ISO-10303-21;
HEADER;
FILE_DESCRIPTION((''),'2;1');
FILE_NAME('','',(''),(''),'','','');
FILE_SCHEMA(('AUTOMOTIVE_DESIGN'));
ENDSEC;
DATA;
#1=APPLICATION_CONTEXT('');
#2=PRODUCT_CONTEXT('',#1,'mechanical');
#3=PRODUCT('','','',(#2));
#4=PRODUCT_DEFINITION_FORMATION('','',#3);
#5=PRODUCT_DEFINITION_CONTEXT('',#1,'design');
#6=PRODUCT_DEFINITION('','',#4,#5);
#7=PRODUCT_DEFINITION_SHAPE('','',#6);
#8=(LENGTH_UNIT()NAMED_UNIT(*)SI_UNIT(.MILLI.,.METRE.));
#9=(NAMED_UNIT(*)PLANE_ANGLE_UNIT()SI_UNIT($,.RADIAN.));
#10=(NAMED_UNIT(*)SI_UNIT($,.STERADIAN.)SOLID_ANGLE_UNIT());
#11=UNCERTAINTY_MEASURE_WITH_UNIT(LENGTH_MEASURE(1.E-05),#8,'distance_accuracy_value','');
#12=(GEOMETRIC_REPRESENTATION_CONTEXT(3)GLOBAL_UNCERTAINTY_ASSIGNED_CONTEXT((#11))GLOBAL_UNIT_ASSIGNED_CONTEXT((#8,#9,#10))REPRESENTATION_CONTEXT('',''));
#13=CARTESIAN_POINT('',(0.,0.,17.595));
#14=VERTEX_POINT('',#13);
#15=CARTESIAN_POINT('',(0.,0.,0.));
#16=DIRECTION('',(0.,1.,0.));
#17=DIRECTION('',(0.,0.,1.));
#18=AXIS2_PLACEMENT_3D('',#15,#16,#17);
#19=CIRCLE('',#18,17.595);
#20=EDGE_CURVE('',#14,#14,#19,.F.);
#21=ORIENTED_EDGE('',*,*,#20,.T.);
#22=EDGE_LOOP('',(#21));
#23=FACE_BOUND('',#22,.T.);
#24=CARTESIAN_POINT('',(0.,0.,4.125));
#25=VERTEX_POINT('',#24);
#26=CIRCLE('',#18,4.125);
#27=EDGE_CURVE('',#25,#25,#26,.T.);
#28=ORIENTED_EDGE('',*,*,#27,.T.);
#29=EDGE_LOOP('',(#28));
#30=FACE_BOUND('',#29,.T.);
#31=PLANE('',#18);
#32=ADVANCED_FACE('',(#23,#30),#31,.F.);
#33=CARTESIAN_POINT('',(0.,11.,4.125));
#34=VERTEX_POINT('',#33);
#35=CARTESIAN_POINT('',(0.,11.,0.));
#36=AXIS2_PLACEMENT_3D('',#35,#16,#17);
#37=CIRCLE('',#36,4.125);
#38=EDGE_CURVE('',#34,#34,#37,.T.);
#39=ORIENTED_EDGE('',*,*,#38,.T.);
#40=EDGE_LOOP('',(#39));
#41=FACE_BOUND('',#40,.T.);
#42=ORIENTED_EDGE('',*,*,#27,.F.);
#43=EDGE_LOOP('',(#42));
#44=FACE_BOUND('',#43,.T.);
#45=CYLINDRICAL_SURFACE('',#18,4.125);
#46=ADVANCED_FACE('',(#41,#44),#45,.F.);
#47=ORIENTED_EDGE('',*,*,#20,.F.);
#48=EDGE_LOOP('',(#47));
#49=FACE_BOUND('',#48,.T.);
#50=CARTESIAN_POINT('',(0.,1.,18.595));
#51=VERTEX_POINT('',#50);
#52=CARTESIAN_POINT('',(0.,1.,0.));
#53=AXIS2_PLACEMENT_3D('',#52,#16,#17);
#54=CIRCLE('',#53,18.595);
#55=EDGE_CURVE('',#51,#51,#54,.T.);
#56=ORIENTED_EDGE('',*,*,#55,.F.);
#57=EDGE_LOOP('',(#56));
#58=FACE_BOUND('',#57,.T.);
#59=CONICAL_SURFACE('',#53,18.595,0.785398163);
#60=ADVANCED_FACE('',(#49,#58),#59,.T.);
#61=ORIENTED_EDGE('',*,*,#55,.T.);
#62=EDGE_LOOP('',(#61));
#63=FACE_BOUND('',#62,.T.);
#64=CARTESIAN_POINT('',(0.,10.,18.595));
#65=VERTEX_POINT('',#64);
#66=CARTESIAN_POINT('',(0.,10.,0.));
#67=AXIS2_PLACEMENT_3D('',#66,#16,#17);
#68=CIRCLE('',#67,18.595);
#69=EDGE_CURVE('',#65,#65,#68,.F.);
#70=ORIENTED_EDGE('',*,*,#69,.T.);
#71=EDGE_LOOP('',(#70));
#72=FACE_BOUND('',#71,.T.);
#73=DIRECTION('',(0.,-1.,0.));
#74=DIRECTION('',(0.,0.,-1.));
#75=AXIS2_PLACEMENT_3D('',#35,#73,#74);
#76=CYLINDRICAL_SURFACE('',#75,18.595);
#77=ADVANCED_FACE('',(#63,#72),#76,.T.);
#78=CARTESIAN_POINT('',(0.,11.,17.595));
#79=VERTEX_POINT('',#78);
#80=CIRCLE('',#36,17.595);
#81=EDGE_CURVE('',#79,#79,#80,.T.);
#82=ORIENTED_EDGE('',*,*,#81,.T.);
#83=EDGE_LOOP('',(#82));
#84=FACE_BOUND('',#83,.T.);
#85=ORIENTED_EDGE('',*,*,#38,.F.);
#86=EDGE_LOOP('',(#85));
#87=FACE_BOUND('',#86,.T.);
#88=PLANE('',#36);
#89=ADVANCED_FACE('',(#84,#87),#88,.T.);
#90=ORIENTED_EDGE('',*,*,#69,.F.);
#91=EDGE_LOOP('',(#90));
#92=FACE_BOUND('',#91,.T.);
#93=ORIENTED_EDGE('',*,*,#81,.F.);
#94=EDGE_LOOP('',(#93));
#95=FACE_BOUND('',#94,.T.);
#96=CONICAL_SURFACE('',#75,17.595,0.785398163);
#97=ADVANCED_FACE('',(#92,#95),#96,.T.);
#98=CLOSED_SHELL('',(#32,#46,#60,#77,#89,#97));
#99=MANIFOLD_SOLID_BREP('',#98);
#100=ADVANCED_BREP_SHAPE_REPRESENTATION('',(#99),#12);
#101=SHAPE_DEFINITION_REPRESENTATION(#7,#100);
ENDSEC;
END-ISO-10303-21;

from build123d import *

# Parameters (mm, degrees)
SKETCH1_R           = 18.595
BOSS_EXTRUDE1_DEPTH = 11
SKETCH2_R           = 4.125
CUT_EXTRUDE1_DEPTH  = 12
CHAMFER1_SIZE       = 1


with BuildPart() as part:
    # Sketch1 → Boss-Extrude1 (new body)
    with BuildSketch(Plane(origin=(0, 0, 0), x_dir=(1, 0, 0), z_dir=(0, 1, 0))):
        Circle(SKETCH1_R)
    extrude(amount=BOSS_EXTRUDE1_DEPTH)

    # Sketch2 → Cut-Extrude1 (cut, through all)
    with BuildSketch(Plane(origin=(0, 11, 0), x_dir=(1, 0, 0), z_dir=(0, 1, 0))):
        Circle(SKETCH2_R)
    extrude(amount=-CUT_EXTRUDE1_DEPTH, mode=Mode.SUBTRACT)

    # Chamfer1
    chamfer1_edges = [part.edges().sort_by_distance(p)[0] for p in [
        (-18.595, 0, 0),
        (-18.595, 11, 0),
    ]]
    chamfer(chamfer1_edges, length=CHAMFER1_SIZE)


solid = part.part
